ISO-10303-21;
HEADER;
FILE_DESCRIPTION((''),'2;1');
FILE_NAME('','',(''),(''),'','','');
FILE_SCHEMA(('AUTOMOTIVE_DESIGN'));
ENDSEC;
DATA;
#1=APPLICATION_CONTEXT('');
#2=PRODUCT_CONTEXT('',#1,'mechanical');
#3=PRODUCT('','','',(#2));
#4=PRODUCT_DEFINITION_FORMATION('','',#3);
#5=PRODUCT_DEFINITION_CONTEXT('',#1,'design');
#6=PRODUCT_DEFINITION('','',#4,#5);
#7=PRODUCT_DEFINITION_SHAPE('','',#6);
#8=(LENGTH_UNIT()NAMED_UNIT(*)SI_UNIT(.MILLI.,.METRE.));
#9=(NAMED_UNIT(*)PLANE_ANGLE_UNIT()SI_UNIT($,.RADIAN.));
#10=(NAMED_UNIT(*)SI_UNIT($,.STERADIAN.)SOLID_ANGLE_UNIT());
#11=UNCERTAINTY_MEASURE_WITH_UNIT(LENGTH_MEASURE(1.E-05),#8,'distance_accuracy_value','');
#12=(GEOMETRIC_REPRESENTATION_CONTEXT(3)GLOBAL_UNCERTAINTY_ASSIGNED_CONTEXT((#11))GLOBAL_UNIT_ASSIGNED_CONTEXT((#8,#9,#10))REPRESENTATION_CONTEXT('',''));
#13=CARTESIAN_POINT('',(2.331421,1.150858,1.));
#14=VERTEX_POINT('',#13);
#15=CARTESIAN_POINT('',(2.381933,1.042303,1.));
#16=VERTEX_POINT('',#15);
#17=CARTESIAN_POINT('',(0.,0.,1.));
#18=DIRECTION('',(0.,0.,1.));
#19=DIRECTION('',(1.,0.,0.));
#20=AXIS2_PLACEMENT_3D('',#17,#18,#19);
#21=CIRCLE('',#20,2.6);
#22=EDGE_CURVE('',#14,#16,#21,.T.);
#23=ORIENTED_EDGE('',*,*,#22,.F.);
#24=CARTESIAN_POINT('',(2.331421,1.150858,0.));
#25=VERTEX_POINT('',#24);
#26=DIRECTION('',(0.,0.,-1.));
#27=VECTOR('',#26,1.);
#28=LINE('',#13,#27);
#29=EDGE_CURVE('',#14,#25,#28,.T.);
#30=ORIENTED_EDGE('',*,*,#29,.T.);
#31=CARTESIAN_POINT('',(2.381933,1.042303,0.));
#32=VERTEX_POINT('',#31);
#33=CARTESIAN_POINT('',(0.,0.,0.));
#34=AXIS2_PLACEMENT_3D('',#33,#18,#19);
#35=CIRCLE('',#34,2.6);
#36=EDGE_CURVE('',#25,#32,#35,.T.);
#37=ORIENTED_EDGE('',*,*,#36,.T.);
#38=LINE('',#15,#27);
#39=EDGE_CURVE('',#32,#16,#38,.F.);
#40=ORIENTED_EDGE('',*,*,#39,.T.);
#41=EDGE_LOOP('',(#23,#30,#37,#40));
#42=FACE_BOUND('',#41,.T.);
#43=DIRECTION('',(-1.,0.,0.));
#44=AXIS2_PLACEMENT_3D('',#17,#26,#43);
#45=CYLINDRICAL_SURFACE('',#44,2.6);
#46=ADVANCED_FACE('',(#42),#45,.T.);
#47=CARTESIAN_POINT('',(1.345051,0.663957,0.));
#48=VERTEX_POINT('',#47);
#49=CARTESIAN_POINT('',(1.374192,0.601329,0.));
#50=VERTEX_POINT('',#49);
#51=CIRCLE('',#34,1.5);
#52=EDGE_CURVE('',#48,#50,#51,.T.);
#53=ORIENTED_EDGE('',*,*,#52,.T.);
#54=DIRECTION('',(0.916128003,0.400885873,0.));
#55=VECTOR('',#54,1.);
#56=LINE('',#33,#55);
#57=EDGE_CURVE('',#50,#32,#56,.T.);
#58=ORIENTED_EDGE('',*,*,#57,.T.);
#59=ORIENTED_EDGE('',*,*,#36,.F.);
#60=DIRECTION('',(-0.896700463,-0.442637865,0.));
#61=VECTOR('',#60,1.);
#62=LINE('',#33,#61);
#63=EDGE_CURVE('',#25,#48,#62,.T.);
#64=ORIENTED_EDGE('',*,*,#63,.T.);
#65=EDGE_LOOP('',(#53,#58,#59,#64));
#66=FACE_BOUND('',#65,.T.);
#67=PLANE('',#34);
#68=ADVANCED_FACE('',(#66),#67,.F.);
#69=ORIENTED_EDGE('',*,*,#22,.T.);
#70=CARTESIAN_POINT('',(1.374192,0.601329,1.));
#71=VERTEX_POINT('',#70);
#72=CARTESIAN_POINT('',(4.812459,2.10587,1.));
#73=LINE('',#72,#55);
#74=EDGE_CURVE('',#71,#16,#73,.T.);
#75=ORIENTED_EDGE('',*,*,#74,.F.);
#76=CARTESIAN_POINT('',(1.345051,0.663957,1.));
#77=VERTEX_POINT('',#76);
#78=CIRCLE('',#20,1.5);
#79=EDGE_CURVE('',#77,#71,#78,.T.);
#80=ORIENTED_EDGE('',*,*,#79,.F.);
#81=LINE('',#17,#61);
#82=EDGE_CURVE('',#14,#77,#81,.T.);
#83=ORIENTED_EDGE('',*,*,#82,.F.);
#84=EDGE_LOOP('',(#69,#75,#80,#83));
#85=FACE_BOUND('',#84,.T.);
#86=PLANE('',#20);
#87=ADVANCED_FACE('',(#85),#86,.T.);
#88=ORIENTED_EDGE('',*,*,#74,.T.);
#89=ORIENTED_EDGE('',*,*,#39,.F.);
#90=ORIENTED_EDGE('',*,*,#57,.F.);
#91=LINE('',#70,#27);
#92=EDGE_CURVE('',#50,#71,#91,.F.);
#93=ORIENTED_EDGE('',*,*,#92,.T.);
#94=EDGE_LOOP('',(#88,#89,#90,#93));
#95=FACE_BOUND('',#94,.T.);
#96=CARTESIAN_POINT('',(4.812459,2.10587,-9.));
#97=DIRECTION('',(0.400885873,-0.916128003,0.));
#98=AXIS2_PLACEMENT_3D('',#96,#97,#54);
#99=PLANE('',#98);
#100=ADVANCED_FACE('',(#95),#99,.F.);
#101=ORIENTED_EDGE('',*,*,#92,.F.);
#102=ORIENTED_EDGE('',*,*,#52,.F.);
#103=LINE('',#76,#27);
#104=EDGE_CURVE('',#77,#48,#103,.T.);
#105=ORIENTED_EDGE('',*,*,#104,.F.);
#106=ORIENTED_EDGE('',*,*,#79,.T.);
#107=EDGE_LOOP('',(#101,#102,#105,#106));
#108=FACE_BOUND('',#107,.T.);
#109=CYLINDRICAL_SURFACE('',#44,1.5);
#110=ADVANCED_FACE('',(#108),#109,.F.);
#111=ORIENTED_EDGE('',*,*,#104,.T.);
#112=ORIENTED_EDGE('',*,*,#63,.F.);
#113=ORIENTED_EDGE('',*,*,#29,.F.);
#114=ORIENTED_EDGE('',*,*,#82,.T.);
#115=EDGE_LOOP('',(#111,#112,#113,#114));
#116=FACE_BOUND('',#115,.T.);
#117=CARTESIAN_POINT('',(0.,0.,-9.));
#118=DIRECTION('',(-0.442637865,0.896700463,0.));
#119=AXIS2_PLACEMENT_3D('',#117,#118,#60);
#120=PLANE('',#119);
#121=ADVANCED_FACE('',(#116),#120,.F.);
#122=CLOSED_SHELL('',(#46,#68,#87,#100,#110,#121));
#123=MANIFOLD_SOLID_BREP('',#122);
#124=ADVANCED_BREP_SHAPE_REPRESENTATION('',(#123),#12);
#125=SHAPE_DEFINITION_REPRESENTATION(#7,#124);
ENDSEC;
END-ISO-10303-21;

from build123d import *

# Parameters (mm, degrees)
SKETCH_1_R          = 2.6
SKETCH_1_R_2        = 1.5
EXTRUDE_1_DEPTH     = 1
CUT_EXTRUDE_1_DEPTH = 10


with BuildPart() as part:
    # 草图1 → 凸台-拉伸1 (new body)
    with BuildSketch(Plane.XY):
        Circle(SKETCH_1_R)
        Circle(SKETCH_1_R_2, mode=Mode.SUBTRACT)
    extrude(amount=EXTRUDE_1_DEPTH)

    # 草图2 → 切除-拉伸1 (cut)
    with BuildSketch(Plane.XY.offset(1)):
        Polygon((0, 0), (4.812459265, 2.375572201), (4.812459265, 2.105870497), align=None)
    extrude(amount=-CUT_EXTRUDE_1_DEPTH, mode=Mode.SUBTRACT)


solid = part.part
